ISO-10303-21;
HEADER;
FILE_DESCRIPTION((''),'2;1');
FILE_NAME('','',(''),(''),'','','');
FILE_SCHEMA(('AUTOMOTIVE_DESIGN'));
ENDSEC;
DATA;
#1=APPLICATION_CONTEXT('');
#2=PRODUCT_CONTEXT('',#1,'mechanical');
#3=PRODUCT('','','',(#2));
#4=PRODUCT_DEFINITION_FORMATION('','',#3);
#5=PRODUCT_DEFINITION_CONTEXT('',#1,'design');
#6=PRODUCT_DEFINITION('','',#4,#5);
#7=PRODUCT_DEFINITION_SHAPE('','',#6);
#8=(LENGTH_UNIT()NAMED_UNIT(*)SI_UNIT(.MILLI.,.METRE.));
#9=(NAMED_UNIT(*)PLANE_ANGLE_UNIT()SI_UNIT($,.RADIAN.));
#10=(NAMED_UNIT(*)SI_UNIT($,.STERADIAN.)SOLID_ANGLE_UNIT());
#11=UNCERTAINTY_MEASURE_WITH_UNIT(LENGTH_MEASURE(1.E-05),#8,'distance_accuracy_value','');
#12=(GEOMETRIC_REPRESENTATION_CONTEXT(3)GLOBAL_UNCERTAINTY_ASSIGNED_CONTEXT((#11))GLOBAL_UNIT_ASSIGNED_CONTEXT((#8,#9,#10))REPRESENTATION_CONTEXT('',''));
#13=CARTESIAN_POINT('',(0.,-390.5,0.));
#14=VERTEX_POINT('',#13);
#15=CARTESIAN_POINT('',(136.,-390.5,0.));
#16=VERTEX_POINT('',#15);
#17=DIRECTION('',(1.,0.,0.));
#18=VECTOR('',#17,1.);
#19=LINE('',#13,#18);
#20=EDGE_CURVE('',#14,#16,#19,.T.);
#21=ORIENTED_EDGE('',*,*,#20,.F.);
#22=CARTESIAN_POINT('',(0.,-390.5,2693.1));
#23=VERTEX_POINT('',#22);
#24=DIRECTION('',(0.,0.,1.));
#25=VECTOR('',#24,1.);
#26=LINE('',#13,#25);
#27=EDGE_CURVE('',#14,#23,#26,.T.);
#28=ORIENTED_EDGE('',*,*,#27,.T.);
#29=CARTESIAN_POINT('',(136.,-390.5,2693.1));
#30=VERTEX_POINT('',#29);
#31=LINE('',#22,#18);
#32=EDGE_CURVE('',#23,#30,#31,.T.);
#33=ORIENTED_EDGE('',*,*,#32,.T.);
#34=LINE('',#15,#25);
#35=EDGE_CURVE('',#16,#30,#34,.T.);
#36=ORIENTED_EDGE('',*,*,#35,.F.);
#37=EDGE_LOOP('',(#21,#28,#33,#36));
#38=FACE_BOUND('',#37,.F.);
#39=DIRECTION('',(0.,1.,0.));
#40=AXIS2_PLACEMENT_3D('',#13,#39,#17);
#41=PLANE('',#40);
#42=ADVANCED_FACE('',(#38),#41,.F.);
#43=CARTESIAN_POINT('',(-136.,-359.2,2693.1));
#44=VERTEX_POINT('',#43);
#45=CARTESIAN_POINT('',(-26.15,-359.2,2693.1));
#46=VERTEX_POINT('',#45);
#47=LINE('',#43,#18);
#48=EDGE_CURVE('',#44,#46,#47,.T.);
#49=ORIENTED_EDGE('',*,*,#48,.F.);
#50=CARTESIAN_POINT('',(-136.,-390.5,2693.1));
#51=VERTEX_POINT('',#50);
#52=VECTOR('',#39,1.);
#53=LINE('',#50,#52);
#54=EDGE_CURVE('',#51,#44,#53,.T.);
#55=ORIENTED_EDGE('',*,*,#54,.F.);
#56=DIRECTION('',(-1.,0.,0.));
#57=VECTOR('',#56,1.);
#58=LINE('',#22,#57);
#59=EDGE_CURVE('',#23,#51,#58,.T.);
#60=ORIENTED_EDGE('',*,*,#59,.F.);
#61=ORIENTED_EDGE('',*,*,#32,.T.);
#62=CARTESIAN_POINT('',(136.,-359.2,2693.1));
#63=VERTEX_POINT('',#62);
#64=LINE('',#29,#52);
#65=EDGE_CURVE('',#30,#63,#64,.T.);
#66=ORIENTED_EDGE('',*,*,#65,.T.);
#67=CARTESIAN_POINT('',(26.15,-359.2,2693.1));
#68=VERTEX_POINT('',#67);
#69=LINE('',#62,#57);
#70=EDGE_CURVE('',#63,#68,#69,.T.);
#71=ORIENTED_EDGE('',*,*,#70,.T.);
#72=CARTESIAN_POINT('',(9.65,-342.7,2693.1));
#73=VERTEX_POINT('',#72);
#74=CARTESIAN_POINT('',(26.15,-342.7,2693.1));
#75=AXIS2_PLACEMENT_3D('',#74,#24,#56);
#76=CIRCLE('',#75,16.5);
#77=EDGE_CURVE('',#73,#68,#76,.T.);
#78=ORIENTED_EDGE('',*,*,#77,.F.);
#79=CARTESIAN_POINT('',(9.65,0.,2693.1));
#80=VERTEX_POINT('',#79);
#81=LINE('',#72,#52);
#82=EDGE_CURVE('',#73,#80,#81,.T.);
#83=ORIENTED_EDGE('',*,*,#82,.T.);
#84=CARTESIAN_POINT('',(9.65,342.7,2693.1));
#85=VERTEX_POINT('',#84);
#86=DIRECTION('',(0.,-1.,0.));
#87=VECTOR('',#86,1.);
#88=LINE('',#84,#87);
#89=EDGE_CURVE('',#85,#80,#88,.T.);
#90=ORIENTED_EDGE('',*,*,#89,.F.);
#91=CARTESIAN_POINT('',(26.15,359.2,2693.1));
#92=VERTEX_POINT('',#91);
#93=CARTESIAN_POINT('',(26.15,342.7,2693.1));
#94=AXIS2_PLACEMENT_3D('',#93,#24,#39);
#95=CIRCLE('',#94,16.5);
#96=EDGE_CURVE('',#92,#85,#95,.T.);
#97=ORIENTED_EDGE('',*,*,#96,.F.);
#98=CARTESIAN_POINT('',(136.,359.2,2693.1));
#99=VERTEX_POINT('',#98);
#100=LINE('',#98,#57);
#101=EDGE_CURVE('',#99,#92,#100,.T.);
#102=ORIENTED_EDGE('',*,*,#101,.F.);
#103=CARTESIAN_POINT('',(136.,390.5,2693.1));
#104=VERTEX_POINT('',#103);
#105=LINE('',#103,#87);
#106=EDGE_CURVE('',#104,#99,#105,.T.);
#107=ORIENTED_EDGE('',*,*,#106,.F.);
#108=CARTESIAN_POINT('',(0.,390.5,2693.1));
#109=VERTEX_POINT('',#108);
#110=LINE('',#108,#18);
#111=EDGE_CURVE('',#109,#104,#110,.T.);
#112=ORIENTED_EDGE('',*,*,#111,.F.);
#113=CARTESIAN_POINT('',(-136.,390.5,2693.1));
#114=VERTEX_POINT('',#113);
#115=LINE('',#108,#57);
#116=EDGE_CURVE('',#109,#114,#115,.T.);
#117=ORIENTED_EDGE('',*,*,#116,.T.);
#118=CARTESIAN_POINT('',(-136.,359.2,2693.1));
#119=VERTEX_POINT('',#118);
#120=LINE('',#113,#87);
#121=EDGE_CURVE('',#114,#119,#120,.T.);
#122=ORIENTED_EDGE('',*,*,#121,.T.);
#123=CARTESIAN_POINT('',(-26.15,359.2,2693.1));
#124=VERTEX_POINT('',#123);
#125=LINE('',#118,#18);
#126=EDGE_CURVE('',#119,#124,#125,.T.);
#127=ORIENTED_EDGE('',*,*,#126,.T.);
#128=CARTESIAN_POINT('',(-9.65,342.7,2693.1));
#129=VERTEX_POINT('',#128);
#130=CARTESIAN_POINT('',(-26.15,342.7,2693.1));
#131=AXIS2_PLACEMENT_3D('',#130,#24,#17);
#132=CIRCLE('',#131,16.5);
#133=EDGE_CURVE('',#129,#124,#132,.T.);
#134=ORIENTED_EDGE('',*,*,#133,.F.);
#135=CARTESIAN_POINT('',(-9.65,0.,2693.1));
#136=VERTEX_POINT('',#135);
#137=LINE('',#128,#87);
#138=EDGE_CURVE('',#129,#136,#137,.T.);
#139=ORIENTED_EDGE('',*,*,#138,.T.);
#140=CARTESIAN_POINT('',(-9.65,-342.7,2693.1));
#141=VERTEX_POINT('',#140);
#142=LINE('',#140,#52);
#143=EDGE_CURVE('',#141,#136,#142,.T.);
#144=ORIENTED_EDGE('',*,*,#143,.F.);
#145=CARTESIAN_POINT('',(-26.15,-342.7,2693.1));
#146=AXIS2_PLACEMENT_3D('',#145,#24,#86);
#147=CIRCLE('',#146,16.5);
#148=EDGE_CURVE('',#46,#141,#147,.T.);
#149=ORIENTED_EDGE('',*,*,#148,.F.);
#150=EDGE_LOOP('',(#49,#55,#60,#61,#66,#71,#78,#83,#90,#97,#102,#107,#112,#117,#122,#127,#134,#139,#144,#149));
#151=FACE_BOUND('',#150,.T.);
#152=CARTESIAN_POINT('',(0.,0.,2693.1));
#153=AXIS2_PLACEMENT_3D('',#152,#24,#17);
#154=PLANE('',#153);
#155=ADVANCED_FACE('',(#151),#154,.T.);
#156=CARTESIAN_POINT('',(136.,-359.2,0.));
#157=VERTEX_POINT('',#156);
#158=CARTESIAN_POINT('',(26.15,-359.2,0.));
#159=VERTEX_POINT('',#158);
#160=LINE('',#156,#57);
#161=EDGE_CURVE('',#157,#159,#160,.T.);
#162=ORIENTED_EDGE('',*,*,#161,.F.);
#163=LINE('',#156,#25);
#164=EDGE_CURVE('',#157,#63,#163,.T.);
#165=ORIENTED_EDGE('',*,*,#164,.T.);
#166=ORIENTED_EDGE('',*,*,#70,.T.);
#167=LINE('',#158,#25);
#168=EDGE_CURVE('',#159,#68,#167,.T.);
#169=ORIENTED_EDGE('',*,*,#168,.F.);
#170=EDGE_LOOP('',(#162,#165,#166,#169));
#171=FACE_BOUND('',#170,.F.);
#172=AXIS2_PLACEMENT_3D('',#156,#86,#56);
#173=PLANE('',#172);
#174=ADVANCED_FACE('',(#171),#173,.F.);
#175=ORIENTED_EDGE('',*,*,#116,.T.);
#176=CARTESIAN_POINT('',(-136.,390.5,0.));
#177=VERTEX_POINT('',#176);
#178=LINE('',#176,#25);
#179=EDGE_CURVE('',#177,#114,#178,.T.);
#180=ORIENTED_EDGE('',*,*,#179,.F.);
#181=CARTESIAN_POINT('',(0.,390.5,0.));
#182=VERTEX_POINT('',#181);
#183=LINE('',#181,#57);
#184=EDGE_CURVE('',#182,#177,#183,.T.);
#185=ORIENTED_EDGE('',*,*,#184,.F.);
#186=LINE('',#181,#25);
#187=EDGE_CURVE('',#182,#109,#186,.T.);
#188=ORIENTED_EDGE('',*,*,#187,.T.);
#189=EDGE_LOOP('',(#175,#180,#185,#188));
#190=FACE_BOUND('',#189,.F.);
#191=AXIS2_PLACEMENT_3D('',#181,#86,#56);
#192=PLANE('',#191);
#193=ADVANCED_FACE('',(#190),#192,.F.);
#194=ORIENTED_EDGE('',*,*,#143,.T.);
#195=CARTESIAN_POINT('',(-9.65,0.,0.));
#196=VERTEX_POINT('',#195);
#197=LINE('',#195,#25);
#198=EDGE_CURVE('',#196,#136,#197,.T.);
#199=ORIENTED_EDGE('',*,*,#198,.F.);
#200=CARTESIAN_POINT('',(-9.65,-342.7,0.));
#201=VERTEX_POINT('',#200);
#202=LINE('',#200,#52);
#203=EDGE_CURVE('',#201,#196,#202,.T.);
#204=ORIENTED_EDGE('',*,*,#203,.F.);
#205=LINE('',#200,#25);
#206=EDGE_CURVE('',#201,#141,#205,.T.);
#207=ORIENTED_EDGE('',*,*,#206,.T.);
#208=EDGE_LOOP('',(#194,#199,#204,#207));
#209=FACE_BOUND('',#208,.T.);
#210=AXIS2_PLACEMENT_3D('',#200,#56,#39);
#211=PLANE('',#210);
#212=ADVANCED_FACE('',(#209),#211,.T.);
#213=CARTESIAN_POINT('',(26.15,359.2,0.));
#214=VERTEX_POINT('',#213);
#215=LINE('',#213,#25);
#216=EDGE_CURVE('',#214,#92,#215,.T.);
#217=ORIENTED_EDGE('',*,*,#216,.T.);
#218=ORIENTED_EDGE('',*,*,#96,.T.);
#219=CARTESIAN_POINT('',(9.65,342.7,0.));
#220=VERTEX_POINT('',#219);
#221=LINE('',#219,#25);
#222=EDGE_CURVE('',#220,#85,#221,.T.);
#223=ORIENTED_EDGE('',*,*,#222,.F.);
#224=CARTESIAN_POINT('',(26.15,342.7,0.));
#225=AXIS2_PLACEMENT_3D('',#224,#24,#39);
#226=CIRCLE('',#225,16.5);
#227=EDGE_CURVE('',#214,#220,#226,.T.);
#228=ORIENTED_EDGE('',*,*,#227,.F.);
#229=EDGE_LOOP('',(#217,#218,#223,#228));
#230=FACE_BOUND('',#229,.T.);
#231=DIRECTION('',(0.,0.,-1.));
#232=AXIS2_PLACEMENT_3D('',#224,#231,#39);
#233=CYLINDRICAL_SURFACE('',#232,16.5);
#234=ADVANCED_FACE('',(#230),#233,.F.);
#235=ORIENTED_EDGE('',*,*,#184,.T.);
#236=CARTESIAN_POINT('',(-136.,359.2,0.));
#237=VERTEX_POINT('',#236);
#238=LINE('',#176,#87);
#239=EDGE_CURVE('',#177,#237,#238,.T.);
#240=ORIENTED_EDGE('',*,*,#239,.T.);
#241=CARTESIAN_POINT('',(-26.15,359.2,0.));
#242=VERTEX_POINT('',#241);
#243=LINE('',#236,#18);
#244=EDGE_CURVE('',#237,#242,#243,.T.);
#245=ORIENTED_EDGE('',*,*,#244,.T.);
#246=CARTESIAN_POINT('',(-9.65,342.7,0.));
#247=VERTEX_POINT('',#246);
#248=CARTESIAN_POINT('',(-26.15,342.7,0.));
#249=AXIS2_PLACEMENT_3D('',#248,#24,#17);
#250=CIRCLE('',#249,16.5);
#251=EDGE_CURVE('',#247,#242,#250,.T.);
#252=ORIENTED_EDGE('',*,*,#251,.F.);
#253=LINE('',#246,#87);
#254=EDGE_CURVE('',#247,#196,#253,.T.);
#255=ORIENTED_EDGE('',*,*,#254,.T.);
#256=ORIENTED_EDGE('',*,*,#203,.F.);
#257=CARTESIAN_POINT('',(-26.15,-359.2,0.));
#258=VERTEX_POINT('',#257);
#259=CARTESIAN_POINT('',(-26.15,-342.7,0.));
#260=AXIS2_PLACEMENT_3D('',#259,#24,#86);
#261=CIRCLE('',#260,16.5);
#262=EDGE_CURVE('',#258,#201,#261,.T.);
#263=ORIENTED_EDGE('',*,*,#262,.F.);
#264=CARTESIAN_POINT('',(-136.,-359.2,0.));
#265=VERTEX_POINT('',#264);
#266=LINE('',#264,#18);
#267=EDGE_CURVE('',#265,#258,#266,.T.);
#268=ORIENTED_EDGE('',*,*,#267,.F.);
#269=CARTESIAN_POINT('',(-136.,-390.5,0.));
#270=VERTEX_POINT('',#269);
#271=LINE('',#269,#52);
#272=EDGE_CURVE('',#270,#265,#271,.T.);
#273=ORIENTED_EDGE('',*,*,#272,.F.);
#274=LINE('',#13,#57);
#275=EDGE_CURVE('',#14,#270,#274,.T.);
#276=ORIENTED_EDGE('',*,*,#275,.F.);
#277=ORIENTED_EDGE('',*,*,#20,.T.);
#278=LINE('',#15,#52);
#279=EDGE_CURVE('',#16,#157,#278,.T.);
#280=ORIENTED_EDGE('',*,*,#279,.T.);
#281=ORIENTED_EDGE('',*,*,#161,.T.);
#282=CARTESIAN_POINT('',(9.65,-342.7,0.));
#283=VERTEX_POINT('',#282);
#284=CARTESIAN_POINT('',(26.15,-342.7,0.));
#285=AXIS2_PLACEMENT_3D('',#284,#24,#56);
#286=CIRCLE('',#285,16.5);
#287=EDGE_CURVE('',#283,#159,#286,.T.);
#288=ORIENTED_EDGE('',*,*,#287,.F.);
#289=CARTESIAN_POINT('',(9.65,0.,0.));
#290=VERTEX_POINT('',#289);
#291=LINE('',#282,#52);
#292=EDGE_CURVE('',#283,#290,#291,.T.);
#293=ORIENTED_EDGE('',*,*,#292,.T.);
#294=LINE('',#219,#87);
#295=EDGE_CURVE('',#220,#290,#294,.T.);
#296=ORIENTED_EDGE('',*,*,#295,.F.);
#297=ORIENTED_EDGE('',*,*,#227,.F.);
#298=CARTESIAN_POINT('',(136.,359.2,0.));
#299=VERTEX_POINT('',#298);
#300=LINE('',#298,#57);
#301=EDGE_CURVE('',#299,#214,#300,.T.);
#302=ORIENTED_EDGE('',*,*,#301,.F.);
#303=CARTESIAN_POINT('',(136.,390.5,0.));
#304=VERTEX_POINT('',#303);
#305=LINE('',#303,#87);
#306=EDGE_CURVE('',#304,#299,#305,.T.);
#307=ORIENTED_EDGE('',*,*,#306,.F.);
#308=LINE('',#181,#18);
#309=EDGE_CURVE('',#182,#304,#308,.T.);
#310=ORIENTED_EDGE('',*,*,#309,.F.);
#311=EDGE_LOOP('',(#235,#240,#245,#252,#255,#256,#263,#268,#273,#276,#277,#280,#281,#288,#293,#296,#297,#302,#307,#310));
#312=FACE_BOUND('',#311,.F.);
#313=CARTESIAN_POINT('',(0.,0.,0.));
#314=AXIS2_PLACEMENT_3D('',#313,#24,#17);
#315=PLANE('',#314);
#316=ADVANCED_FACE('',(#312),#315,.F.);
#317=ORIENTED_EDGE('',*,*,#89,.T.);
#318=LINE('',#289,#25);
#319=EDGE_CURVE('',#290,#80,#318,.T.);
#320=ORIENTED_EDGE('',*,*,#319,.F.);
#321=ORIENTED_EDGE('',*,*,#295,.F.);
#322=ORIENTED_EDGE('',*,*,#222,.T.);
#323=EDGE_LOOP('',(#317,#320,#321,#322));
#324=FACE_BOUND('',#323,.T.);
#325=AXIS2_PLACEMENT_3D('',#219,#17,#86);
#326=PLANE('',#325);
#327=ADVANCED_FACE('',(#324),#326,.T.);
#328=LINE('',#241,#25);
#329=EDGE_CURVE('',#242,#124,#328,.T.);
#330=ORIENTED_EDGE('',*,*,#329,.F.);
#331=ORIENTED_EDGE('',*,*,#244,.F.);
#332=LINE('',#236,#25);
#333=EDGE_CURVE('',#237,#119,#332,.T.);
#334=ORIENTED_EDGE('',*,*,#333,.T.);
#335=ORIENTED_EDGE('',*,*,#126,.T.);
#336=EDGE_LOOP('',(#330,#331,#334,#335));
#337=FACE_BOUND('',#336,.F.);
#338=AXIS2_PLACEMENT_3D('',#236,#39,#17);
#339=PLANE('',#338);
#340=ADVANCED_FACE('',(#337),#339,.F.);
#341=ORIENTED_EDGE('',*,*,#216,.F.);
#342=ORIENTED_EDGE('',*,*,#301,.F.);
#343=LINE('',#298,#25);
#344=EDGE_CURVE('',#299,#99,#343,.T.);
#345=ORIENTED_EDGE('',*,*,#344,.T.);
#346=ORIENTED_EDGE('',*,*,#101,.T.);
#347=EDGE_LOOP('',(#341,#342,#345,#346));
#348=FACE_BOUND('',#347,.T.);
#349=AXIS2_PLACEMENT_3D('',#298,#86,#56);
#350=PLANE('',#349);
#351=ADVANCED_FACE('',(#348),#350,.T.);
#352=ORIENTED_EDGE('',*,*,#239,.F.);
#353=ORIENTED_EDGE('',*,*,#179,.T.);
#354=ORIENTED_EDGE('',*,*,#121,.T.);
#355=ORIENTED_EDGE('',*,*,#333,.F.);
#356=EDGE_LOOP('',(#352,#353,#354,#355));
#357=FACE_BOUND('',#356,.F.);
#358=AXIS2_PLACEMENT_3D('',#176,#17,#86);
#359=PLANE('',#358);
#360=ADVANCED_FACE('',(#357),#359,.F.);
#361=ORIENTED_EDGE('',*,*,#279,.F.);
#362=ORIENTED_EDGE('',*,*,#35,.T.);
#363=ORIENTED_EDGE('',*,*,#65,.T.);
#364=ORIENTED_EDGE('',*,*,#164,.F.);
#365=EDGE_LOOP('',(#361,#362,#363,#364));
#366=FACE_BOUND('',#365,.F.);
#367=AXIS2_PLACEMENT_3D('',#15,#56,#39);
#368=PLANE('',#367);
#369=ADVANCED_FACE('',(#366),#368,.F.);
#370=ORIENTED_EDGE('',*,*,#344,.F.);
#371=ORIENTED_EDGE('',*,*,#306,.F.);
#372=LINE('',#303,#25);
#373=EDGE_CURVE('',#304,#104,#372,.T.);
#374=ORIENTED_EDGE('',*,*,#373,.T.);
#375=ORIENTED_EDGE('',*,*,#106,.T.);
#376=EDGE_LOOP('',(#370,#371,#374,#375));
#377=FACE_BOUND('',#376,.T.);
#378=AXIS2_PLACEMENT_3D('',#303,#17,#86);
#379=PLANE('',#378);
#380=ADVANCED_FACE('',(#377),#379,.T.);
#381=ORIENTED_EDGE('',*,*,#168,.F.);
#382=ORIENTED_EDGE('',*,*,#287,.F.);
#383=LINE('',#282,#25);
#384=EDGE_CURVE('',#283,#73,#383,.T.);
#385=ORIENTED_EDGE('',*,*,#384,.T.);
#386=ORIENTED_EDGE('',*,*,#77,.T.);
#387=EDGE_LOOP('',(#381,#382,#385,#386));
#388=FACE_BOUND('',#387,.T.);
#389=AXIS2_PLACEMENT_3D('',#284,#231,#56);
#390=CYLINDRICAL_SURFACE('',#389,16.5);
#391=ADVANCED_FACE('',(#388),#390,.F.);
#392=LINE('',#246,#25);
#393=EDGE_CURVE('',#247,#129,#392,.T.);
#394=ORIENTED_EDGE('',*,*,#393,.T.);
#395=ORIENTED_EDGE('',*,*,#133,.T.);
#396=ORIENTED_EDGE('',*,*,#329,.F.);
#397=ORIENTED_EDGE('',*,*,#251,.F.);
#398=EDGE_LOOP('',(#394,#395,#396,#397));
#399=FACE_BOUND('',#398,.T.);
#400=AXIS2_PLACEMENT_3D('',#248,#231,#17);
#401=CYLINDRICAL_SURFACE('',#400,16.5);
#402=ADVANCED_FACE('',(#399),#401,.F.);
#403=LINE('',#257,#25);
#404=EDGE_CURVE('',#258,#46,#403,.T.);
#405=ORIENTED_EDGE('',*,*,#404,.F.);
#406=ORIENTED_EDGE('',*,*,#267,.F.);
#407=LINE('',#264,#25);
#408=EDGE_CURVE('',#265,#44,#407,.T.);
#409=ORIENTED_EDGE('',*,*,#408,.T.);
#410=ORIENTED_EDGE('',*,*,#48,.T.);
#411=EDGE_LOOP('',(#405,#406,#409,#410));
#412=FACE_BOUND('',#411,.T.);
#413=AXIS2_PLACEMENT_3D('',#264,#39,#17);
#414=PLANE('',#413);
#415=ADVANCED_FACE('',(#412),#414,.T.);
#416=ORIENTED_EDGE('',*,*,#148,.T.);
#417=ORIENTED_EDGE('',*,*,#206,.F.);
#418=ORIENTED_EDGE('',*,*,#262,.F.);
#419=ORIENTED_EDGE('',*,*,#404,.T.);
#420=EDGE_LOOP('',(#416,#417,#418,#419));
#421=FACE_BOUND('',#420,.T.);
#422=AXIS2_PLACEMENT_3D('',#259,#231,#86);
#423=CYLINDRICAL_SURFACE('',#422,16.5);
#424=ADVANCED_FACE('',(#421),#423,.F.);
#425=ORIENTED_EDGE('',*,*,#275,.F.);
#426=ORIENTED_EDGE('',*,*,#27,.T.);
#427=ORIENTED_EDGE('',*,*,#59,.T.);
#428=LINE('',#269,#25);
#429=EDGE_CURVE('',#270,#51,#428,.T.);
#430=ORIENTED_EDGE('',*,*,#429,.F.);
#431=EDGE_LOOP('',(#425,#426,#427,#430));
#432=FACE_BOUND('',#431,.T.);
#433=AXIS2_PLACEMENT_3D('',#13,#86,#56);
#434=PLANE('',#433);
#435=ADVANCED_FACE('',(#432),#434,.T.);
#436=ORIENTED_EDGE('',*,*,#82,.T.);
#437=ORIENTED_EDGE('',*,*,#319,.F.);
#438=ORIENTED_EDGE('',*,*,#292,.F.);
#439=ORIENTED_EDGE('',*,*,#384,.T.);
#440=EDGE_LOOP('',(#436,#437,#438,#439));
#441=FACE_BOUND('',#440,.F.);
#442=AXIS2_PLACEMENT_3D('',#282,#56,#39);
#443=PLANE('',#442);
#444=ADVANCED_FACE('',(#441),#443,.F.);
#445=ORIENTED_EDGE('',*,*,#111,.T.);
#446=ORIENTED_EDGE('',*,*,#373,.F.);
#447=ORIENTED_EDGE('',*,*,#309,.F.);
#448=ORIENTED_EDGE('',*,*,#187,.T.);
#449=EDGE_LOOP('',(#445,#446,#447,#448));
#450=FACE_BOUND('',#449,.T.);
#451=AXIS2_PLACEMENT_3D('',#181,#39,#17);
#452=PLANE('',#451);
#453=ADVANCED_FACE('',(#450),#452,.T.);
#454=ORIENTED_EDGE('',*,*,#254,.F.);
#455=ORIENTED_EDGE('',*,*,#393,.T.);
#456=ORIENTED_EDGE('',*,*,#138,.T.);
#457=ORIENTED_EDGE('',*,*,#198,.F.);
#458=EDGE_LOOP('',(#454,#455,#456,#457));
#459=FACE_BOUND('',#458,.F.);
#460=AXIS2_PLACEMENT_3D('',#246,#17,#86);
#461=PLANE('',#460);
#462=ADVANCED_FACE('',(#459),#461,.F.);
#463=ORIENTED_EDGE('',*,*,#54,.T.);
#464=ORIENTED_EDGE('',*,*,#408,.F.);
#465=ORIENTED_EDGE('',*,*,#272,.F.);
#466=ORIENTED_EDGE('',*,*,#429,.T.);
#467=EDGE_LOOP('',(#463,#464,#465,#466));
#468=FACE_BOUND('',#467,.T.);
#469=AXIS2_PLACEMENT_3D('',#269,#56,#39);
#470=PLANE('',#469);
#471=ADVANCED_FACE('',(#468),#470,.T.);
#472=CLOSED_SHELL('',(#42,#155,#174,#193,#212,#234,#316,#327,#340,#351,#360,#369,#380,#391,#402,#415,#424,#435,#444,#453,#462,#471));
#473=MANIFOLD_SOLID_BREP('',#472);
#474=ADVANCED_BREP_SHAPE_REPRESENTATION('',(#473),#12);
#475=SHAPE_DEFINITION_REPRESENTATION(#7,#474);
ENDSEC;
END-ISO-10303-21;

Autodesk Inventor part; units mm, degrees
ref_plane "YZ Plane" through (0, 0, 0) normal (1, 0, 0) x (0, 1, 0)
ref_plane "Start plane" through (0, 0, 0) normal (0, 0, 1) x (1, 0, 0)
ref_plane "End plane" through (0, 0, 2693.1) normal (0, 0, 1) x (1, 0, 0)
sketch "Sketch" plane through (0, 0, 0) normal (0, 0, 1) x (1, 0, 0)
  line L0 (-136, -390.5) -> (-136, -359.2)
  line L1 (-136, -359.2) -> (-26.15, -359.2)
  line L2 (-9.65, -342.7) -> (-9.65, 0)
  line L3 (-9.65, 0) -> (0, 0) construction
  line L4 (0, 0) -> (0, -390.5) construction
  line L5 (0, -390.5) -> (-136, -390.5)
  line L6 (-60, 0) -> (80, 0) construction
  line L7 (0, -60) -> (0, 80) construction
  line L8 (136, -390.5) -> (136, -359.2)
  line L9 (136, -359.2) -> (26.15, -359.2)
  line L10 (9.65, -342.7) -> (9.65, 0)
  line L11 (9.65, 0) -> (0, 0) construction
  line L12 (0, -390.5) -> (136, -390.5)
  line L13 (-136, 390.5) -> (-136, 359.2)
  line L14 (-136, 359.2) -> (-26.15, 359.2)
  line L15 (-9.65, 342.7) -> (-9.65, 0)
  line L16 (0, 390.5) -> (-136, 390.5)
  line L17 (136, 390.5) -> (136, 359.2)
  line L18 (136, 359.2) -> (26.15, 359.2)
  line L19 (0, 390.5) -> (136, 390.5)
  line L20 (9.65, 342.7) -> (9.65, 0)
  arc A0 (-9.65, 342.7) -> (-26.15, 359.2) centre (-26.15, 342.7) ccw
  arc A1 (26.15, 359.2) -> (9.65, 342.7) centre (26.15, 342.7) ccw
  arc A2 (9.65, -342.7) -> (26.15, -359.2) centre (26.15, -342.7) ccw
  arc A3 (-26.15, -359.2) -> (-9.65, -342.7) centre (-26.15, -342.7) ccw
  line L21 (0, 108) -> (0, -88) construction
  line L22 (-88, 0) -> (108, 0) construction
  point P0 (-9.65, -359.2)
  point P1 (9.65, -359.2)
  point P2 (-9.65, 359.2)
  point P3 (9.65, 359.2)
  dimension "d1" = 390.5
  dimension "d2" = 31.3
  dimension "d3" = 136
  dimension "d4" = 9.65
  dimension "d10" = 16.5
extrude "Body" add sketch "Sketch" along normal up to surface (2693.1 mm away) from surface at 0
sketch "Sketch4" plane through (0, 0, 0) normal (0, 0, 1) x (1, 0, 0)
  line L0 (0, 0) -> (10, 0)
ref_plane "Work Plane3" through (0, 0, 0) normal (0, -1, 0) x (1, 0, 0)
sketch "Sketch5" plane through (0, 0, 0) normal (0, -1, 0) x (1, 0, 0)
  line L0 (-2, 0) -> (12, 0) projected
  line L1 (-2, 2693.1) -> (12, 2693.1) projected
  dimension "d14" = 2693.1
equation "\"d1\" = 0.5 * G_H"
equation "\"d2\" = G_T1"
equation "\"d3\" = 0.5 * G_W"
equation "\"d4\" = 0.5 * G_T"
equation "\"d10\" = G_IR"
equation "\"d5\" = G_L"
equation "\"G_W\" = 272"
equation "\"G_H\" = 781"
equation "\"G_T\" = 19.3"
equation "\"G_T1\" = 31.3"
equation "\"G_IR\" = 16.5"
equation "\"G_L\" = d14"
equation "\"G_OFFSET_START\" = 0"
equation "\"G_OFFSET_END\" = 0"
equation "\"d12\" = G_OFFSET_END + B_L"
equation "\"B_L\" = 2693.1"
properties part number "AS 3679-1990 - 760 UB - 244 - 2693.1" material "Steel, Mild"
